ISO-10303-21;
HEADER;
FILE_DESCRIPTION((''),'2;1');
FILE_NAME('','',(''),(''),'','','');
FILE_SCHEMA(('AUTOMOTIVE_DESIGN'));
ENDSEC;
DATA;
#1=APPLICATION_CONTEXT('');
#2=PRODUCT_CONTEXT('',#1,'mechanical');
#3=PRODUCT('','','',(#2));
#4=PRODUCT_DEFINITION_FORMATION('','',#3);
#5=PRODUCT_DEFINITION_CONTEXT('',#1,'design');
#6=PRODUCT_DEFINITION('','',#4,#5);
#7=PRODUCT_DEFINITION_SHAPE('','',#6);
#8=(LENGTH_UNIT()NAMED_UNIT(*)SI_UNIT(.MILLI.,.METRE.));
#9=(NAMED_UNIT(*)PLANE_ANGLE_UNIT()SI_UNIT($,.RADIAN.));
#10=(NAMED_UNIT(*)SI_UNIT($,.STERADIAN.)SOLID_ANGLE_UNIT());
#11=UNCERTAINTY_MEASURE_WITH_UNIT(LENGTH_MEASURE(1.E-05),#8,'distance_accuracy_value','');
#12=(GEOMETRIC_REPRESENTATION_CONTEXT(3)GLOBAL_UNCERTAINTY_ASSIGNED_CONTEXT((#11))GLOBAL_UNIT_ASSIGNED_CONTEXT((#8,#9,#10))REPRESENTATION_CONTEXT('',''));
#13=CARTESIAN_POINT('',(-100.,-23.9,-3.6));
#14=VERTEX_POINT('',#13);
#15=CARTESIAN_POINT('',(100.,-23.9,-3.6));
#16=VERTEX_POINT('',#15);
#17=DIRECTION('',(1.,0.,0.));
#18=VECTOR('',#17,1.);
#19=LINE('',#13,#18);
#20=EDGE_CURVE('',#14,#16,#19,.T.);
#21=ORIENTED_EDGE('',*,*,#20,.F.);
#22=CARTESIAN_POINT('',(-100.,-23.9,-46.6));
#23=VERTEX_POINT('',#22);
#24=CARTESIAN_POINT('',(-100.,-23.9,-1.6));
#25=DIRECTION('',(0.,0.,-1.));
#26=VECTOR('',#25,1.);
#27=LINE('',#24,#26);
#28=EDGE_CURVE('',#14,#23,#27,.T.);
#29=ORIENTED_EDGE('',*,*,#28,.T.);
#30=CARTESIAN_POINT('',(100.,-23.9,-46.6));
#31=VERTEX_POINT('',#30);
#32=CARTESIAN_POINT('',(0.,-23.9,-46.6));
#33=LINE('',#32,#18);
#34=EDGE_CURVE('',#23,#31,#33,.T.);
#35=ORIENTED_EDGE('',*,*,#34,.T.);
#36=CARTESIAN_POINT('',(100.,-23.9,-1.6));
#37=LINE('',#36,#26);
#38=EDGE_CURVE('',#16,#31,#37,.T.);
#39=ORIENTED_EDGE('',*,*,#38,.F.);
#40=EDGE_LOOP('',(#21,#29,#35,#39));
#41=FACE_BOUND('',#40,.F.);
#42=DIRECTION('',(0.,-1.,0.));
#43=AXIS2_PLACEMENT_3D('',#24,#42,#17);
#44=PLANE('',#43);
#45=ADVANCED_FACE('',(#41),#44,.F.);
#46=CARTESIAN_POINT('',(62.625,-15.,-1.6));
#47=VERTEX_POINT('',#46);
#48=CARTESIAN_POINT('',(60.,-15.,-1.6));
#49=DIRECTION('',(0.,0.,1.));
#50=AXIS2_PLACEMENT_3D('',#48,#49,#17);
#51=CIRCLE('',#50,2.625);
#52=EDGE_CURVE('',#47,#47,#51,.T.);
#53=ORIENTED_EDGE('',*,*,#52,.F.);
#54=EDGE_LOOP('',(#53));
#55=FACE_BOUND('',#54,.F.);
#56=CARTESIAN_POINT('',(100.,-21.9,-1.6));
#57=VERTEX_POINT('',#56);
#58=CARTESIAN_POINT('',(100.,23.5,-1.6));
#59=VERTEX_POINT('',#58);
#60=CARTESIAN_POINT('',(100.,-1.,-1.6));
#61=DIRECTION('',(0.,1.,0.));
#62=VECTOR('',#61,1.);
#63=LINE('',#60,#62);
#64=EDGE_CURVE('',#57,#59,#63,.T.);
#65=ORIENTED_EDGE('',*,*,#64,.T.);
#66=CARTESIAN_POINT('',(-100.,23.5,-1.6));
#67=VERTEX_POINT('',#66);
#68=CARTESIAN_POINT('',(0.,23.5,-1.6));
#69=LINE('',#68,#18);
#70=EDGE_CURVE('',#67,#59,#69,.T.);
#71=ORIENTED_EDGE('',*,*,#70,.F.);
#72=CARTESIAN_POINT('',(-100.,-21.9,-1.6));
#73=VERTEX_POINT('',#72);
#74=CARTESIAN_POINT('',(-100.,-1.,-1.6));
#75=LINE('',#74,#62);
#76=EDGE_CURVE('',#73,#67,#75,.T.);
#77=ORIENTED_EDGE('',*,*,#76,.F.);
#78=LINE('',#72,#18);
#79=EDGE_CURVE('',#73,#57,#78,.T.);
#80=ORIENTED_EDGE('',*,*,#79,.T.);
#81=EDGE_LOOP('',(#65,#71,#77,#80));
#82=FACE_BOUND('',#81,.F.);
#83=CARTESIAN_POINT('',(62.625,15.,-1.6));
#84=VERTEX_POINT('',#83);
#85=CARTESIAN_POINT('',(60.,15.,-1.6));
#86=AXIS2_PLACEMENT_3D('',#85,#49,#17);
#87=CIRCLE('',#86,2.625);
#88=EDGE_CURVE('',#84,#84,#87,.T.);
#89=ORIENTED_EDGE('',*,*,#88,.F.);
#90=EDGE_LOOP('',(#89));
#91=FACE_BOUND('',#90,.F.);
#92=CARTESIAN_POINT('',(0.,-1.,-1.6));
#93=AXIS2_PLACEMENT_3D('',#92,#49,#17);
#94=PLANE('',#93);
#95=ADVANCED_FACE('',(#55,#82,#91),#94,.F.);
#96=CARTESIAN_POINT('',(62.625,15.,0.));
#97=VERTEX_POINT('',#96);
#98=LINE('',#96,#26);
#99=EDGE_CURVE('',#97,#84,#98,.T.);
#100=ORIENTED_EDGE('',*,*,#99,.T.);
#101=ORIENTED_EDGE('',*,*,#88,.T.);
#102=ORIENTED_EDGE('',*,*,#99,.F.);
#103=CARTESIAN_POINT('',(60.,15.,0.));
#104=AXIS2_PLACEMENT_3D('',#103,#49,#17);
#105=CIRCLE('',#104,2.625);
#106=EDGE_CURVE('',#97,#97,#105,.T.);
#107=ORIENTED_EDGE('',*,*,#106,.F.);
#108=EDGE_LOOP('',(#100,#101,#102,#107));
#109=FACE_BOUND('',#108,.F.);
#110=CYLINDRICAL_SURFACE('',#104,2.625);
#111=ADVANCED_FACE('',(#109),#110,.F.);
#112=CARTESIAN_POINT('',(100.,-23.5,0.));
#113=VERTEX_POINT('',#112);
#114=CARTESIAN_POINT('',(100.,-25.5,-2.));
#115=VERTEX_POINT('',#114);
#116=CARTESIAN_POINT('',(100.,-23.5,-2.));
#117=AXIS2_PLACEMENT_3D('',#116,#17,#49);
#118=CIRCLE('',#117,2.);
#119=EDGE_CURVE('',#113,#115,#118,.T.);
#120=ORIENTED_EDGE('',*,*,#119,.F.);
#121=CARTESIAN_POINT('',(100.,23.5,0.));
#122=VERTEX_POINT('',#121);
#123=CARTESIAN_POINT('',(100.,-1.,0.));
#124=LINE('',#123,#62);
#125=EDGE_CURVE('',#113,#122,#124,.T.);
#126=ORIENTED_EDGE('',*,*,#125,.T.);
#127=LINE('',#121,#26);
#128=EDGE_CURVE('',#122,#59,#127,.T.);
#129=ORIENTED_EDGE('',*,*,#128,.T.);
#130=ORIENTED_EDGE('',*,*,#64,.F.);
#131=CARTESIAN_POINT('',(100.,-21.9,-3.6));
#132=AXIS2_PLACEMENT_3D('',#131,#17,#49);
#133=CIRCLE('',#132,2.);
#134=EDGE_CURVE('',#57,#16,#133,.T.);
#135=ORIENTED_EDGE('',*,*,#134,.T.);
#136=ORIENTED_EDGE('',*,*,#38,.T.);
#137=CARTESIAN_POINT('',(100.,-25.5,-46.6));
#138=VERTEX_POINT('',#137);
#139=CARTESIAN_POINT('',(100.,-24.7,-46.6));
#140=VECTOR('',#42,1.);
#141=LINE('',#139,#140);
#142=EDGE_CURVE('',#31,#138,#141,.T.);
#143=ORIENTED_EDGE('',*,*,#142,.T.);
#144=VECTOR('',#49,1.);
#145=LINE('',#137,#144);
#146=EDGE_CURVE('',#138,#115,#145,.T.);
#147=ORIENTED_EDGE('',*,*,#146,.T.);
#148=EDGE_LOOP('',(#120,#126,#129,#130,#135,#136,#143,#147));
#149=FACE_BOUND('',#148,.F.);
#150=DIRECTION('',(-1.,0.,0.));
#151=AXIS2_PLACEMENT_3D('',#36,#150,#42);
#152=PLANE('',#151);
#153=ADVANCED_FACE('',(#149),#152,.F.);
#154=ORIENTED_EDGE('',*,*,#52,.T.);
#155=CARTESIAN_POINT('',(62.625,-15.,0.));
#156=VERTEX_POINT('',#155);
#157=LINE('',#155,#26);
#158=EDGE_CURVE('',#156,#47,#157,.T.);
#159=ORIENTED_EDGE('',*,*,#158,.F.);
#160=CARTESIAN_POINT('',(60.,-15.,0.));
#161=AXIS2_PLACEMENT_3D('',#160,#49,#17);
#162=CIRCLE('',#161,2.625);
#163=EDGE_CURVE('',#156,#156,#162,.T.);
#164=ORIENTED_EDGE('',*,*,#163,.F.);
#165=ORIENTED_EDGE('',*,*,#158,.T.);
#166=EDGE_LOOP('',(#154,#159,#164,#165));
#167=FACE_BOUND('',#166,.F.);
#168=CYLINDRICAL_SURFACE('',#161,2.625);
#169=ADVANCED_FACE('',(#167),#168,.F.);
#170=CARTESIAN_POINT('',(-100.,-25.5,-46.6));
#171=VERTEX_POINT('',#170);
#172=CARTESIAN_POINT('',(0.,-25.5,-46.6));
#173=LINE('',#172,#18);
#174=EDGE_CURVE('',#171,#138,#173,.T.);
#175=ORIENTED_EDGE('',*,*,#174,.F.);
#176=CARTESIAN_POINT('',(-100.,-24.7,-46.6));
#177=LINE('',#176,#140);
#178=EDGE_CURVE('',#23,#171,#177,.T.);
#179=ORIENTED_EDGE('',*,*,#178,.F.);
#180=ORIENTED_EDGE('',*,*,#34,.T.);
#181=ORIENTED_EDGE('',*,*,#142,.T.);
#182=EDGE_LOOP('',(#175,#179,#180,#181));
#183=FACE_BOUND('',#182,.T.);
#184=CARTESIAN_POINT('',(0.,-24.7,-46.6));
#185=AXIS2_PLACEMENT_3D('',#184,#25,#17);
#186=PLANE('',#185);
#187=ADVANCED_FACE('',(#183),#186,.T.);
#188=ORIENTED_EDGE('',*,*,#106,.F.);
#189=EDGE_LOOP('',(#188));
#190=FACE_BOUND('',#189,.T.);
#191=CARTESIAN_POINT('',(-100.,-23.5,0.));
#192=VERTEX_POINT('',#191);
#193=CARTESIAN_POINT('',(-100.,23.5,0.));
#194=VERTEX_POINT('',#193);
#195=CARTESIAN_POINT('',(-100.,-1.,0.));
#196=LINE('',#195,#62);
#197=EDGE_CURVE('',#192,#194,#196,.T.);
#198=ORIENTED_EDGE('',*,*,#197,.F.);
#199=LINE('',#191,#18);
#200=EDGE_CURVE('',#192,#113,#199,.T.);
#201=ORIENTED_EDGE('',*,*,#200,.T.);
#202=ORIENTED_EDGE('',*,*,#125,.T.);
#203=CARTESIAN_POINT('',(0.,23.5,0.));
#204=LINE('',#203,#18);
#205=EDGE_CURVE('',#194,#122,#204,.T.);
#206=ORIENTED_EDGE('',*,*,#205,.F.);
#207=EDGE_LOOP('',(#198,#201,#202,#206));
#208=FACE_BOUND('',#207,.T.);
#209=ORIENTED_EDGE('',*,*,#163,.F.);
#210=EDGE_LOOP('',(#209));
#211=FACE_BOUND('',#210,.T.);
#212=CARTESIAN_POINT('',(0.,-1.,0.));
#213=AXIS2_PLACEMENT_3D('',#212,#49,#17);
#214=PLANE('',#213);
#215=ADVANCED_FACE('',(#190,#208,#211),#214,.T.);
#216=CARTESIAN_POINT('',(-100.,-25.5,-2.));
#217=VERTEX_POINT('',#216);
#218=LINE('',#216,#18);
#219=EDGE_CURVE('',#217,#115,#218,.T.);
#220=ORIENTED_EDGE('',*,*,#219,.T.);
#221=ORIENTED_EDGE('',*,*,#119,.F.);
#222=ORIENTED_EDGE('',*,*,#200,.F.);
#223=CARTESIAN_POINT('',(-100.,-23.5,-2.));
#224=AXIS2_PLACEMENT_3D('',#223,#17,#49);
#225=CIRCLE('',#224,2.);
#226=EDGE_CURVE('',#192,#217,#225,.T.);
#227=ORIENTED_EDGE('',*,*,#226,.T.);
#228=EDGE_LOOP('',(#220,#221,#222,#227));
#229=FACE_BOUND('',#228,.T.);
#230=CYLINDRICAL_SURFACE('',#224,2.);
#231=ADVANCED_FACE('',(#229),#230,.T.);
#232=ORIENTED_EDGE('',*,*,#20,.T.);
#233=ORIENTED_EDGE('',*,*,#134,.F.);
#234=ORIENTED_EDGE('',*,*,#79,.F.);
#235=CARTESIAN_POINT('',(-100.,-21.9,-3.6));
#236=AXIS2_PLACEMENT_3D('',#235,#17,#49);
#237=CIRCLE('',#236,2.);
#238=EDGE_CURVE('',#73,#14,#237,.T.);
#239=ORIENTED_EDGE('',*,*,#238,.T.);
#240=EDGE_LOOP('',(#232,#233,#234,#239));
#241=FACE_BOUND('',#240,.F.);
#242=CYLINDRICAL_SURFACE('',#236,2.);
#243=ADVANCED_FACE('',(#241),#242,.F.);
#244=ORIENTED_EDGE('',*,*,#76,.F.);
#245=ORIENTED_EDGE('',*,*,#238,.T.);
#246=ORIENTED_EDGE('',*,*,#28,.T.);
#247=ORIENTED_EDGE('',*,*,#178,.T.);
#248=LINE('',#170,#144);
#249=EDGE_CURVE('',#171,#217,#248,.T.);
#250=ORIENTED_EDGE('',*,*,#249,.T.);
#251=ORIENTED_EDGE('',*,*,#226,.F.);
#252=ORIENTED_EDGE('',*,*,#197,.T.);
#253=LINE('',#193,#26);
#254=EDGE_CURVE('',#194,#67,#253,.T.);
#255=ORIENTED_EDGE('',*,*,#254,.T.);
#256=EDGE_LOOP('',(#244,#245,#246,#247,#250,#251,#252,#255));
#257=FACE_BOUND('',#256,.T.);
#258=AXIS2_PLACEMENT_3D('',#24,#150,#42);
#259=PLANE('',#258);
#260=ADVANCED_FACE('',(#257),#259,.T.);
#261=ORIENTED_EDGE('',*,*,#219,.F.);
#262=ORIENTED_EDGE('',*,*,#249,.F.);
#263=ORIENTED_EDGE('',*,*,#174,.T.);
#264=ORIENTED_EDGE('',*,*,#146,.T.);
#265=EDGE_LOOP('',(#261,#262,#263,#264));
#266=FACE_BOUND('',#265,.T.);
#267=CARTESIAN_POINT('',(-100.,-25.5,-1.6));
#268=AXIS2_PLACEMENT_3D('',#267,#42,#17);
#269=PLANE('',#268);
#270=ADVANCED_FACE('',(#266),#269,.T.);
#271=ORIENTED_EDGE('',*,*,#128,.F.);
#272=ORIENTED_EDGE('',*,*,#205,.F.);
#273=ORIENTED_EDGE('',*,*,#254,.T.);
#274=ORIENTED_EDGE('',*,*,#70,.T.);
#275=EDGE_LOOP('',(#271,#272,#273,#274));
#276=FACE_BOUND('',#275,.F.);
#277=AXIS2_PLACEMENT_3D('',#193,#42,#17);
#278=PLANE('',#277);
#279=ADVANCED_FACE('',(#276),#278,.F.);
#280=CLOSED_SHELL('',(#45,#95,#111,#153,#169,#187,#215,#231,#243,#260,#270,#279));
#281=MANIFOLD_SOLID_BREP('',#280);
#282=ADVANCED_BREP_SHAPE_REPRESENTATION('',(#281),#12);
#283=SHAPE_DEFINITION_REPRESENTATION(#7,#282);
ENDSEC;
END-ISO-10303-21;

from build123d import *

# Parameters (mm, degrees)
F0_W     = 200
F0_H     = 49
F0_R     = 2.625
F1_DEPTH = 1.6
F3_W     = 200
F3_H     = 1.6
F4_DEPTH = 45
F5_R     = 2


with BuildPart() as f1:
    # F0 (on Top) → F1 (new body)
    with BuildSketch(Plane.XY):
        with Locations((0, -1)):
            Rectangle(F0_W, F0_H)
        with Locations((60, -15)):
            Circle(F0_R, mode=Mode.SUBTRACT)
        with Locations((60, 15)):
            Circle(F0_R, mode=Mode.SUBTRACT)
    extrude(amount=-F1_DEPTH)

    # F3 (on face) → F4 (join)
    with BuildSketch(Plane(origin=(0, 0, -1.6), x_dir=(1, 0, 0), z_dir=(0, 0, -1))):
        with Locations((0, 24.7)):
            Rectangle(F3_W, F3_H)
    extrude(amount=F4_DEPTH)

    # F5
    f5_edges = [f1.edges().sort_by_distance(p)[0] for p in [
        (0, -23.9, -1.6),
        (0, -25.5, 0),
    ]]
    fillet(f5_edges, radius=F5_R)


solid = f1.part
